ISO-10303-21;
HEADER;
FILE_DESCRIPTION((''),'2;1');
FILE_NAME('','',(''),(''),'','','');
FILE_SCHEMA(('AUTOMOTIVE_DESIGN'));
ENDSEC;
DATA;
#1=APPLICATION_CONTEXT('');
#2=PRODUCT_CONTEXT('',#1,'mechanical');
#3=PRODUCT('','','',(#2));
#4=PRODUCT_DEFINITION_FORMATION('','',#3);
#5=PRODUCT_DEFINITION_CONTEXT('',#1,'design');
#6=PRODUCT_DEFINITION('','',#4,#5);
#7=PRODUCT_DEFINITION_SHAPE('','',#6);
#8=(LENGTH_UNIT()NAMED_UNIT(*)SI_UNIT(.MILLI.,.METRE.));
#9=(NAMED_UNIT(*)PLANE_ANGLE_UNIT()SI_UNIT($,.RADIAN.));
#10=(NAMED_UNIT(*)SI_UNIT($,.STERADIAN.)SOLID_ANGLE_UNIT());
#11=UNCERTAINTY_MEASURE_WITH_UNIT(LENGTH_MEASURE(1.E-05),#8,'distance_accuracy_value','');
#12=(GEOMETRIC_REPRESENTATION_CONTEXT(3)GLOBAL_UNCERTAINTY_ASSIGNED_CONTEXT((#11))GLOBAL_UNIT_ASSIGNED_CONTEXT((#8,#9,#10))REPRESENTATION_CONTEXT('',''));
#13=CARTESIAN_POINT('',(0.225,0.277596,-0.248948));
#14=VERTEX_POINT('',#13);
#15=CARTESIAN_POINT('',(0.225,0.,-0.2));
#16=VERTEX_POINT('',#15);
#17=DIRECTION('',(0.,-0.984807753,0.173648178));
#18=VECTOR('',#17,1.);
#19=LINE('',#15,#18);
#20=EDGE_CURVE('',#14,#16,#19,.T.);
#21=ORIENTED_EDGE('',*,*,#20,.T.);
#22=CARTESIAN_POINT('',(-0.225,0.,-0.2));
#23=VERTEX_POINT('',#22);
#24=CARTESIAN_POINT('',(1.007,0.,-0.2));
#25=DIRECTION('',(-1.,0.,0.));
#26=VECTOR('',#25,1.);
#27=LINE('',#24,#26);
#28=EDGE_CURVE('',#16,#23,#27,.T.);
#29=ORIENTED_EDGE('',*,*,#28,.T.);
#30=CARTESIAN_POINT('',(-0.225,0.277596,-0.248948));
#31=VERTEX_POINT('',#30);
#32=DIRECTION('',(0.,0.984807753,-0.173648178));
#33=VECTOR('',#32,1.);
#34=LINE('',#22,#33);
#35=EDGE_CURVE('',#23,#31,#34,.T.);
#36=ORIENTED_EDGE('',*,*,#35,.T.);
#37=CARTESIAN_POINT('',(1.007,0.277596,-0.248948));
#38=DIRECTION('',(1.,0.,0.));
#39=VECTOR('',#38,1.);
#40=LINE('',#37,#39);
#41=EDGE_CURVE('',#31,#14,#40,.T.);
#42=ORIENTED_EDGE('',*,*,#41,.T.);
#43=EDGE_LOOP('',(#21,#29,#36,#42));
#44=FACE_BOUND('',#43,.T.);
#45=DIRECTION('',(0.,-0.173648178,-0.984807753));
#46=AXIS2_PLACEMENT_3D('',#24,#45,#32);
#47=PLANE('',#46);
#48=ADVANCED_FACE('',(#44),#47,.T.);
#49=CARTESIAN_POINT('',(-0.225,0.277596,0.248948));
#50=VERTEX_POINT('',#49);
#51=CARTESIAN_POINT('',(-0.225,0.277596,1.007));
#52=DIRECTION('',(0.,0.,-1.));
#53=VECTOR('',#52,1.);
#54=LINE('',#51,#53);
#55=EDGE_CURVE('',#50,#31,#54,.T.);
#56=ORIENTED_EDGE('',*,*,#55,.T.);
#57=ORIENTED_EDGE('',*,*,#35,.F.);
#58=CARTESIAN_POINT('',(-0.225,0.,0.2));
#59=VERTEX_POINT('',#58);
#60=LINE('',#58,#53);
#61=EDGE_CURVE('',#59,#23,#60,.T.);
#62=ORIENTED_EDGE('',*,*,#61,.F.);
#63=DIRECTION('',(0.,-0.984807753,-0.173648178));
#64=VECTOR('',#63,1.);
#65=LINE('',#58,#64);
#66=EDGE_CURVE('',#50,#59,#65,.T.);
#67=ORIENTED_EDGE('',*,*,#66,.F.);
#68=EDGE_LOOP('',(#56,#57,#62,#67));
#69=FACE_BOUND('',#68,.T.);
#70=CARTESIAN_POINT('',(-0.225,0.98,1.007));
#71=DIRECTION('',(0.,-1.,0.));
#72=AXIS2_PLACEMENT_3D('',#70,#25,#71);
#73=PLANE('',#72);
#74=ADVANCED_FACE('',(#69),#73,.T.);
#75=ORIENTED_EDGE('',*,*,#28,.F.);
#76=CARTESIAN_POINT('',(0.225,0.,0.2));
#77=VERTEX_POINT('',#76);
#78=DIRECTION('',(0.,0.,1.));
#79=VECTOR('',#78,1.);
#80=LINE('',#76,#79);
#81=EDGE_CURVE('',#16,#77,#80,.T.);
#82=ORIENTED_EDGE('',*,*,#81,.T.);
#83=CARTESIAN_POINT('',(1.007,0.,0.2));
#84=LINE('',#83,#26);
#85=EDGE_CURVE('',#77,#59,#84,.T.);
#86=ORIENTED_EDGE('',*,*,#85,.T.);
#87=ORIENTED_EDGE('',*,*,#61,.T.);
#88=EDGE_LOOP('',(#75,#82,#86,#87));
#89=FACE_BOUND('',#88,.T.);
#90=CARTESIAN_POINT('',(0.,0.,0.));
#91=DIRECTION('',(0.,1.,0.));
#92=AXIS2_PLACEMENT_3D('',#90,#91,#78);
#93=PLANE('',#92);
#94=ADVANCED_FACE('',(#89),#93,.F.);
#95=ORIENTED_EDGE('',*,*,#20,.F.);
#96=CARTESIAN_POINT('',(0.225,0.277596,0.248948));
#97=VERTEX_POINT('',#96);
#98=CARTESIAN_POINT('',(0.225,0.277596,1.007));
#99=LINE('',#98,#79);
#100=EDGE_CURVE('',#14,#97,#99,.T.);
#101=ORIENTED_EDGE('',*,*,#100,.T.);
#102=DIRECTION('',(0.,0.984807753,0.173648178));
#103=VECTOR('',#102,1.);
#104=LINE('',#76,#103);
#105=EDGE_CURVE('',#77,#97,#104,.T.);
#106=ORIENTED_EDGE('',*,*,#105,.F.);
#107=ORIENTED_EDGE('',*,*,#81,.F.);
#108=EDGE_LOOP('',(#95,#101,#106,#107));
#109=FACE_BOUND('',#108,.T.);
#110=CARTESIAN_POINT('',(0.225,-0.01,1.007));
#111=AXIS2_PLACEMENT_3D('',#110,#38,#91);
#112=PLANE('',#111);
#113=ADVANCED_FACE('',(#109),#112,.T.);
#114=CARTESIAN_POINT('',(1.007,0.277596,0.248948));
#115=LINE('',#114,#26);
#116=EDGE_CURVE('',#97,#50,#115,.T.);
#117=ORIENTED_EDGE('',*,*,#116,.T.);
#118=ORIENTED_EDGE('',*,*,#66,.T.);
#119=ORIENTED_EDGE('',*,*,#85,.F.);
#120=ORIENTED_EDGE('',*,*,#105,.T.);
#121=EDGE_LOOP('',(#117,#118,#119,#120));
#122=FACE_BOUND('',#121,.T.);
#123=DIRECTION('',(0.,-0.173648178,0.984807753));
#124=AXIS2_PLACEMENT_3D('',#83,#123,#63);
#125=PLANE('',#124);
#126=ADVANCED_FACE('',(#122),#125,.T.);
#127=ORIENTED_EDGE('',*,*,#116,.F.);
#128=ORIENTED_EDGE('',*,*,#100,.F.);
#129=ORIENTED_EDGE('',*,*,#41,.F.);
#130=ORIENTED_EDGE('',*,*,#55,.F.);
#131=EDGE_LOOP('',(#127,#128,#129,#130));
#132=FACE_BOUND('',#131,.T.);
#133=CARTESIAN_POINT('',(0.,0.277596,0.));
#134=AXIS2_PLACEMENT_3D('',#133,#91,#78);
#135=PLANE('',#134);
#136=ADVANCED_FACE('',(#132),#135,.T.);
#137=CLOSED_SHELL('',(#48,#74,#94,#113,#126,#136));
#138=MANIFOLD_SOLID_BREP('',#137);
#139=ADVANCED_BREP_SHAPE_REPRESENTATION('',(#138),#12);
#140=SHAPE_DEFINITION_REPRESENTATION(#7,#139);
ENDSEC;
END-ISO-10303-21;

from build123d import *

# Parameters (mm, degrees)
SKETCH_TL_CUTTING_R    = 0.997000038
TL_CUTTING_DEPTH       = 29.999999944
SKETCH_TDF_CUTTING_W   = 2.014000036
SKETCH_TDF_CUTTING_H   = 2.014000036
TDF_CUTTING_DEPTH      = 31.033115303
VW_VR_GRINDING_DEPTH   = 1.007000018
VW_VR_GRINDING_2_DEPTH = 1.007000018
ISA_GRINDING_DEPTH     = 1.007000018
SKETCH_PRE_FRX_BRX_W   = 0.762
SKETCH_PRE_FRX_BRX_H   = 0.990000052
SKETCH_PRE_FRX_BRX_W_2 = 0.79199994
PRE_FRX_BRX_DEPTH      = 1.007000018
FA_BA_GRINDING_DEPTH   = 1.007000018


with BuildPart() as part:
    # sketch_TL_cutting → TL_cutting (new body)
    with BuildSketch(Plane(origin=(0, 0, 0), x_dir=(1, 0, 0), z_dir=(0, 1, 0))):
        with Locations(Location((0, 0, 0), (0, 0, 270))):
            Circle(SKETCH_TL_CUTTING_R)
    extrude(amount=TL_CUTTING_DEPTH)

    # sketch_TDF_cutting → TDF_cutting (cut, through all)
    with BuildSketch(Plane(origin=(0, 0, 0), x_dir=(1, 0, 0), z_dir=(0, 1, 0))):
        with Locations((-1.610000082, 0)):
            Rectangle(SKETCH_TDF_CUTTING_W, SKETCH_TDF_CUTTING_H)
    extrude(amount=TDF_CUTTING_DEPTH, mode=Mode.SUBTRACT)


with BuildPart() as body_2:
    # sketch_VW_VR_grinding → VW_VR_grinding (new, symmetric)
    with BuildSketch(Plane(origin=(0, 0, 0), x_dir=(0, 0, -1), z_dir=(1, 0, 0))):
        with BuildLine():
            Line((-0.992000048, -0.00999998), (-0.992000048, 0.978888966))
            ThreePointArc((-0.992000048, 0.978888966), (-0.992048375, 0.979995844), (-0.99219299, 0.981094298))
            Line((-0.99219299, 0.981094298), (-1.016999998, 1.121781834))
            Line((-1.016999998, 1.121781834), (-1.007000018, -0.00999998))
            Line((-1.007000018, -0.00999998), (-0.992000048, -0.00999998))
        make_face()
    extrude(amount=VW_VR_GRINDING_DEPTH, both=True)


with BuildPart() as body_3:
    # sketch_VW_VR_grinding → VW_VR_grinding 2 (new, symmetric)
    with BuildSketch(Plane(origin=(0, 0, 0), x_dir=(0, 0, -1), z_dir=(1, 0, 0))):
        with BuildLine():
            Line((0.992000048, -0.00999998), (0.992000048, 0.978888966))
            ThreePointArc((0.992000048, 0.978888966), (0.992048375, 0.979995844), (0.99219299, 0.981094298))
            Line((0.99219299, 0.981094298), (1.016999998, 1.121781834))
            Line((1.016999998, 1.121781834), (1.007000018, -0.00999998))
            Line((1.007000018, -0.00999998), (0.992000048, -0.00999998))
        make_face()
    extrude(amount=VW_VR_GRINDING_2_DEPTH, both=True)


    add(body_2.part)  # ISA_grinding merges body 2
    # sketch_ISA_grinding → ISA_grinding (add, symmetric)
    with BuildSketch(Plane(origin=(0, 0, 0), x_dir=(0, 0, -1), z_dir=(1, 0, 0))):
        Polygon((-0.199999981, 0), (0.199999981, 0), (1.007000018, 4.576724638), (1.007000018, -0.02999994), (-1.007000018, -0.02999994), (-1.007000018, 4.576724638), align=None)
    extrude(amount=ISA_GRINDING_DEPTH, both=True)

    # sketch_pre_FRX_BRX → pre_FRX_BRX (add, symmetric)
    with BuildSketch(Plane.XY):
        with Locations((0.616000038, 0.485000046)):
            Rectangle(SKETCH_PRE_FRX_BRX_W, SKETCH_PRE_FRX_BRX_H)
        with Locations((-0.621000028, 0.485000046)):
            Rectangle(SKETCH_PRE_FRX_BRX_W_2, SKETCH_PRE_FRX_BRX_H)
    extrude(amount=PRE_FRX_BRX_DEPTH, both=True)

    # sketch_FA_BA_grinding → FA_BA_grinding (add, symmetric)
    with BuildSketch(Plane.XY):
        Polygon((0.225000058, -0.00999998), (0.225000058, 0.990000052), (1.124000038, 11.265616844), (1.124000038, -0.00999998), align=None)
        Polygon((-0.225000058, -0.00999998), (-0.225000058, 0.990000052), (-0.730000064, 6.762176533), (-0.730000064, -0.00999998), align=None)
    extrude(amount=FA_BA_GRINDING_DEPTH, both=True)


with BuildPart() as part_1:
    add(part.part)

    # B1_fix: cut body 3
    add(body_3.part, mode=Mode.SUBTRACT)

    # SurfaceCut1
    split(bisect_by=Plane(origin=(0, 0.277595628, 0), x_dir=(1, 0, 0), z_dir=(0, 1, 0)), keep=Keep.BOTTOM)


solid = part_1.part
